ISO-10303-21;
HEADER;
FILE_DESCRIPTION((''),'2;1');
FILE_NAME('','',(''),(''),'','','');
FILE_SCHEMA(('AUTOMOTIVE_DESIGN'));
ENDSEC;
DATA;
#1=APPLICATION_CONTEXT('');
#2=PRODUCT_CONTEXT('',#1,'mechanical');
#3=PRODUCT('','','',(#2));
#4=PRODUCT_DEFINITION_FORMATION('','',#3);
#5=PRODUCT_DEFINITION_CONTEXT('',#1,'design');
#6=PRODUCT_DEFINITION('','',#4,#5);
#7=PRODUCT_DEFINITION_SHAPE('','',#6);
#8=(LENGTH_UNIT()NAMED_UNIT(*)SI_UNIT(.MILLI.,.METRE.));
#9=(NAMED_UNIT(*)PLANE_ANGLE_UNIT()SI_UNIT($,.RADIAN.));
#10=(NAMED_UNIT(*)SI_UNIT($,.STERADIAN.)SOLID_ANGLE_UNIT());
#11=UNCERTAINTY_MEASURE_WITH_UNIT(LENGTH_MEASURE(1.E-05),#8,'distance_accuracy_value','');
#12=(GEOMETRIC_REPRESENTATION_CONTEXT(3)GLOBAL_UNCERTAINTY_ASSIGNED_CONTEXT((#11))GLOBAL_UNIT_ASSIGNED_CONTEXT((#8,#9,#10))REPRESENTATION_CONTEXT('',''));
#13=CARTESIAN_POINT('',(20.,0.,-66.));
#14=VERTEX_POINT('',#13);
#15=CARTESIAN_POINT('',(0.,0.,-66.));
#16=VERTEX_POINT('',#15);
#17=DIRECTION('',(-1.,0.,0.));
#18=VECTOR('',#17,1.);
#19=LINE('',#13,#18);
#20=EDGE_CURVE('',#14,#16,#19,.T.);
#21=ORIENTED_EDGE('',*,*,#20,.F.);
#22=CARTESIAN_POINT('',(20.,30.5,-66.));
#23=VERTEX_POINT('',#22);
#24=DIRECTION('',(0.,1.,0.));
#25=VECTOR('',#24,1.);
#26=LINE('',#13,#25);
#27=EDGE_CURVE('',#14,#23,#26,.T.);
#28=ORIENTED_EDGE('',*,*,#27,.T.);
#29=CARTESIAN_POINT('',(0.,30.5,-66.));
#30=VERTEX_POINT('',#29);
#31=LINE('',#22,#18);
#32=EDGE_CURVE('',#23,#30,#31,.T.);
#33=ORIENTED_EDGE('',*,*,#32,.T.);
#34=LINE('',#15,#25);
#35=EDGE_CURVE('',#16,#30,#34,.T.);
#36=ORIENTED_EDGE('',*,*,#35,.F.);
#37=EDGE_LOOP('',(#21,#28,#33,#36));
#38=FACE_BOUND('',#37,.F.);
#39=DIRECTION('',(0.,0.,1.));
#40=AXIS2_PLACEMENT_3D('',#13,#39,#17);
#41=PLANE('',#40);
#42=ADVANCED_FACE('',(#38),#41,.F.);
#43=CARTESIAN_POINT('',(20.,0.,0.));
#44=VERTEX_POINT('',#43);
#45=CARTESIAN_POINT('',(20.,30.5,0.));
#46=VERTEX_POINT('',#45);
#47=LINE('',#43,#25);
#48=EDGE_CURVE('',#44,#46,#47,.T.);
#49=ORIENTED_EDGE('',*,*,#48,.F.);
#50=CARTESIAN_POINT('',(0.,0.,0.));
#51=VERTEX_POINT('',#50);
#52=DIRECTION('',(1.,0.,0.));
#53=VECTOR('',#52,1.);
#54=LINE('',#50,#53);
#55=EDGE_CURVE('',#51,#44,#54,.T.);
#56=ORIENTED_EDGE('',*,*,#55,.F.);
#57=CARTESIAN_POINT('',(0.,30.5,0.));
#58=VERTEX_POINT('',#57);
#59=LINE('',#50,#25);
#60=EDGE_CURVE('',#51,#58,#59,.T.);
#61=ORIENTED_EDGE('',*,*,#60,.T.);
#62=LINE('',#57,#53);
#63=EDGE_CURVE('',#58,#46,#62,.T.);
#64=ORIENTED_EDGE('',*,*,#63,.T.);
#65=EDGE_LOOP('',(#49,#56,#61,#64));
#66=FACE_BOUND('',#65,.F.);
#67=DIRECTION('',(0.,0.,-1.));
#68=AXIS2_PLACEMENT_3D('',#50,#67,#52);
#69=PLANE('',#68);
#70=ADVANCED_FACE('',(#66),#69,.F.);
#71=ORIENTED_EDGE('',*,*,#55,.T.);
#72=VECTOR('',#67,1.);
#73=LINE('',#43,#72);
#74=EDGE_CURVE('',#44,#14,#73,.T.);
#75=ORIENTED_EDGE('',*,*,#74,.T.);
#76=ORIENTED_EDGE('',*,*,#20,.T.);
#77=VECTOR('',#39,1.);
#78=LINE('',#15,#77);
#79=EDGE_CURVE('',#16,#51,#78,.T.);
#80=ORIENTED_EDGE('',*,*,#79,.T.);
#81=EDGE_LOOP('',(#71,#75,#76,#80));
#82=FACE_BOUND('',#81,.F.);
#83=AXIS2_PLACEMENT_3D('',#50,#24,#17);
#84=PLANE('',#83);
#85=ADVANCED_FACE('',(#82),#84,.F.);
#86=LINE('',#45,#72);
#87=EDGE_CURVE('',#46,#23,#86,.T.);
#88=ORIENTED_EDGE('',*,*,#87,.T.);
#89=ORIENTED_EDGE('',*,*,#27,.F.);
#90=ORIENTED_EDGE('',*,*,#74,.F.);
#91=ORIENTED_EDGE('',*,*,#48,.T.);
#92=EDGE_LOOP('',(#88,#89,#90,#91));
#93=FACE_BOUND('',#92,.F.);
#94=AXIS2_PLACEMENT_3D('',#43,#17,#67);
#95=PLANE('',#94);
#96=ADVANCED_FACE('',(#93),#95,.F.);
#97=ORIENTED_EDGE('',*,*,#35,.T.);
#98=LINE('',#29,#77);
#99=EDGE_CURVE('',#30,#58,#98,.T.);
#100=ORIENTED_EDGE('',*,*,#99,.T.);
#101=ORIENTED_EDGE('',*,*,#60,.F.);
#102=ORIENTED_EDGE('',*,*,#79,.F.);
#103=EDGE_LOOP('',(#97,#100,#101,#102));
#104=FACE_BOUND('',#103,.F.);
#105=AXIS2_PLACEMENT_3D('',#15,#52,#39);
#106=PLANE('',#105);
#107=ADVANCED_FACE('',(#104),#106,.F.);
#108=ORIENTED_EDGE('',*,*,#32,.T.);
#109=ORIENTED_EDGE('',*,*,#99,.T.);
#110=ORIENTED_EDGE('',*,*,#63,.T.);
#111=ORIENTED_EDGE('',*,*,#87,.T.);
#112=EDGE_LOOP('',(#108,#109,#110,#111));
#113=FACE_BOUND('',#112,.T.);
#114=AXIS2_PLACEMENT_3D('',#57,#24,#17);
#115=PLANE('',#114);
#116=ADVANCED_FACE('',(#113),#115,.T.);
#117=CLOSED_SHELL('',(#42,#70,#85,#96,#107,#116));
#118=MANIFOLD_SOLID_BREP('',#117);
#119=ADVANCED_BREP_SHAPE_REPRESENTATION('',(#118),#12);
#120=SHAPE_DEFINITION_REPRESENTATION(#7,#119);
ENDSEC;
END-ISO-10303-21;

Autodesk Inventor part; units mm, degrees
ref_plane "YZ Plane" through (0, 0, 0) normal (1, 0, 0) x (0, 1, 0)
ref_plane "XZ Plane" through (0, 0, 0) normal (0, 1, 0) x (-1, 0, 0)
ref_plane "XY Plane" through (0, 0, 0) normal (0, 0, 1) x (1, 0, 0)
sketch "Sketch2" plane through (0, 0, 0) normal (0, 1, 0) x (-1, 0, 0)
  line L0 (0, 0) -> (-20, 0)
  line L1 (-20, 0) -> (-20, -66)
  line L2 (-20, -66) -> (0, -66)
  line L3 (0, -66) -> (0, 0)
  dimension "d0" = 20
  dimension "d1" = 66
extrude "Extrusion1" add sketch "Sketch2" along normal blind 30.5
sketch "Sketch3" plane through (20, 0, 0) normal (1, 0, 0) x (0, 0, -1)
  line L0 (39.4, 20.369) -> (34.4, 20.369) projected
  line L1 (39.4, 10.125) -> (34.4, 10.125) projected
  line L2 (34.4, 18.9168) -> (34.4, 10.625) projected
  line L3 (34.4, 20.369) -> (34.4, 18.9308) projected
  line L4 (0, 0) -> (0, 30.5) projected
  line L5 (34.4, 20.369) -> (0, 20.369)
  line L6 (0, 20.369) -> (0, 10.125)
  line L7 (0, 10.125) -> (34.4, 10.125)
  line L8 (34.4, 10.125) -> (34.4, 20.369)
properties part number "lipo3s650"
